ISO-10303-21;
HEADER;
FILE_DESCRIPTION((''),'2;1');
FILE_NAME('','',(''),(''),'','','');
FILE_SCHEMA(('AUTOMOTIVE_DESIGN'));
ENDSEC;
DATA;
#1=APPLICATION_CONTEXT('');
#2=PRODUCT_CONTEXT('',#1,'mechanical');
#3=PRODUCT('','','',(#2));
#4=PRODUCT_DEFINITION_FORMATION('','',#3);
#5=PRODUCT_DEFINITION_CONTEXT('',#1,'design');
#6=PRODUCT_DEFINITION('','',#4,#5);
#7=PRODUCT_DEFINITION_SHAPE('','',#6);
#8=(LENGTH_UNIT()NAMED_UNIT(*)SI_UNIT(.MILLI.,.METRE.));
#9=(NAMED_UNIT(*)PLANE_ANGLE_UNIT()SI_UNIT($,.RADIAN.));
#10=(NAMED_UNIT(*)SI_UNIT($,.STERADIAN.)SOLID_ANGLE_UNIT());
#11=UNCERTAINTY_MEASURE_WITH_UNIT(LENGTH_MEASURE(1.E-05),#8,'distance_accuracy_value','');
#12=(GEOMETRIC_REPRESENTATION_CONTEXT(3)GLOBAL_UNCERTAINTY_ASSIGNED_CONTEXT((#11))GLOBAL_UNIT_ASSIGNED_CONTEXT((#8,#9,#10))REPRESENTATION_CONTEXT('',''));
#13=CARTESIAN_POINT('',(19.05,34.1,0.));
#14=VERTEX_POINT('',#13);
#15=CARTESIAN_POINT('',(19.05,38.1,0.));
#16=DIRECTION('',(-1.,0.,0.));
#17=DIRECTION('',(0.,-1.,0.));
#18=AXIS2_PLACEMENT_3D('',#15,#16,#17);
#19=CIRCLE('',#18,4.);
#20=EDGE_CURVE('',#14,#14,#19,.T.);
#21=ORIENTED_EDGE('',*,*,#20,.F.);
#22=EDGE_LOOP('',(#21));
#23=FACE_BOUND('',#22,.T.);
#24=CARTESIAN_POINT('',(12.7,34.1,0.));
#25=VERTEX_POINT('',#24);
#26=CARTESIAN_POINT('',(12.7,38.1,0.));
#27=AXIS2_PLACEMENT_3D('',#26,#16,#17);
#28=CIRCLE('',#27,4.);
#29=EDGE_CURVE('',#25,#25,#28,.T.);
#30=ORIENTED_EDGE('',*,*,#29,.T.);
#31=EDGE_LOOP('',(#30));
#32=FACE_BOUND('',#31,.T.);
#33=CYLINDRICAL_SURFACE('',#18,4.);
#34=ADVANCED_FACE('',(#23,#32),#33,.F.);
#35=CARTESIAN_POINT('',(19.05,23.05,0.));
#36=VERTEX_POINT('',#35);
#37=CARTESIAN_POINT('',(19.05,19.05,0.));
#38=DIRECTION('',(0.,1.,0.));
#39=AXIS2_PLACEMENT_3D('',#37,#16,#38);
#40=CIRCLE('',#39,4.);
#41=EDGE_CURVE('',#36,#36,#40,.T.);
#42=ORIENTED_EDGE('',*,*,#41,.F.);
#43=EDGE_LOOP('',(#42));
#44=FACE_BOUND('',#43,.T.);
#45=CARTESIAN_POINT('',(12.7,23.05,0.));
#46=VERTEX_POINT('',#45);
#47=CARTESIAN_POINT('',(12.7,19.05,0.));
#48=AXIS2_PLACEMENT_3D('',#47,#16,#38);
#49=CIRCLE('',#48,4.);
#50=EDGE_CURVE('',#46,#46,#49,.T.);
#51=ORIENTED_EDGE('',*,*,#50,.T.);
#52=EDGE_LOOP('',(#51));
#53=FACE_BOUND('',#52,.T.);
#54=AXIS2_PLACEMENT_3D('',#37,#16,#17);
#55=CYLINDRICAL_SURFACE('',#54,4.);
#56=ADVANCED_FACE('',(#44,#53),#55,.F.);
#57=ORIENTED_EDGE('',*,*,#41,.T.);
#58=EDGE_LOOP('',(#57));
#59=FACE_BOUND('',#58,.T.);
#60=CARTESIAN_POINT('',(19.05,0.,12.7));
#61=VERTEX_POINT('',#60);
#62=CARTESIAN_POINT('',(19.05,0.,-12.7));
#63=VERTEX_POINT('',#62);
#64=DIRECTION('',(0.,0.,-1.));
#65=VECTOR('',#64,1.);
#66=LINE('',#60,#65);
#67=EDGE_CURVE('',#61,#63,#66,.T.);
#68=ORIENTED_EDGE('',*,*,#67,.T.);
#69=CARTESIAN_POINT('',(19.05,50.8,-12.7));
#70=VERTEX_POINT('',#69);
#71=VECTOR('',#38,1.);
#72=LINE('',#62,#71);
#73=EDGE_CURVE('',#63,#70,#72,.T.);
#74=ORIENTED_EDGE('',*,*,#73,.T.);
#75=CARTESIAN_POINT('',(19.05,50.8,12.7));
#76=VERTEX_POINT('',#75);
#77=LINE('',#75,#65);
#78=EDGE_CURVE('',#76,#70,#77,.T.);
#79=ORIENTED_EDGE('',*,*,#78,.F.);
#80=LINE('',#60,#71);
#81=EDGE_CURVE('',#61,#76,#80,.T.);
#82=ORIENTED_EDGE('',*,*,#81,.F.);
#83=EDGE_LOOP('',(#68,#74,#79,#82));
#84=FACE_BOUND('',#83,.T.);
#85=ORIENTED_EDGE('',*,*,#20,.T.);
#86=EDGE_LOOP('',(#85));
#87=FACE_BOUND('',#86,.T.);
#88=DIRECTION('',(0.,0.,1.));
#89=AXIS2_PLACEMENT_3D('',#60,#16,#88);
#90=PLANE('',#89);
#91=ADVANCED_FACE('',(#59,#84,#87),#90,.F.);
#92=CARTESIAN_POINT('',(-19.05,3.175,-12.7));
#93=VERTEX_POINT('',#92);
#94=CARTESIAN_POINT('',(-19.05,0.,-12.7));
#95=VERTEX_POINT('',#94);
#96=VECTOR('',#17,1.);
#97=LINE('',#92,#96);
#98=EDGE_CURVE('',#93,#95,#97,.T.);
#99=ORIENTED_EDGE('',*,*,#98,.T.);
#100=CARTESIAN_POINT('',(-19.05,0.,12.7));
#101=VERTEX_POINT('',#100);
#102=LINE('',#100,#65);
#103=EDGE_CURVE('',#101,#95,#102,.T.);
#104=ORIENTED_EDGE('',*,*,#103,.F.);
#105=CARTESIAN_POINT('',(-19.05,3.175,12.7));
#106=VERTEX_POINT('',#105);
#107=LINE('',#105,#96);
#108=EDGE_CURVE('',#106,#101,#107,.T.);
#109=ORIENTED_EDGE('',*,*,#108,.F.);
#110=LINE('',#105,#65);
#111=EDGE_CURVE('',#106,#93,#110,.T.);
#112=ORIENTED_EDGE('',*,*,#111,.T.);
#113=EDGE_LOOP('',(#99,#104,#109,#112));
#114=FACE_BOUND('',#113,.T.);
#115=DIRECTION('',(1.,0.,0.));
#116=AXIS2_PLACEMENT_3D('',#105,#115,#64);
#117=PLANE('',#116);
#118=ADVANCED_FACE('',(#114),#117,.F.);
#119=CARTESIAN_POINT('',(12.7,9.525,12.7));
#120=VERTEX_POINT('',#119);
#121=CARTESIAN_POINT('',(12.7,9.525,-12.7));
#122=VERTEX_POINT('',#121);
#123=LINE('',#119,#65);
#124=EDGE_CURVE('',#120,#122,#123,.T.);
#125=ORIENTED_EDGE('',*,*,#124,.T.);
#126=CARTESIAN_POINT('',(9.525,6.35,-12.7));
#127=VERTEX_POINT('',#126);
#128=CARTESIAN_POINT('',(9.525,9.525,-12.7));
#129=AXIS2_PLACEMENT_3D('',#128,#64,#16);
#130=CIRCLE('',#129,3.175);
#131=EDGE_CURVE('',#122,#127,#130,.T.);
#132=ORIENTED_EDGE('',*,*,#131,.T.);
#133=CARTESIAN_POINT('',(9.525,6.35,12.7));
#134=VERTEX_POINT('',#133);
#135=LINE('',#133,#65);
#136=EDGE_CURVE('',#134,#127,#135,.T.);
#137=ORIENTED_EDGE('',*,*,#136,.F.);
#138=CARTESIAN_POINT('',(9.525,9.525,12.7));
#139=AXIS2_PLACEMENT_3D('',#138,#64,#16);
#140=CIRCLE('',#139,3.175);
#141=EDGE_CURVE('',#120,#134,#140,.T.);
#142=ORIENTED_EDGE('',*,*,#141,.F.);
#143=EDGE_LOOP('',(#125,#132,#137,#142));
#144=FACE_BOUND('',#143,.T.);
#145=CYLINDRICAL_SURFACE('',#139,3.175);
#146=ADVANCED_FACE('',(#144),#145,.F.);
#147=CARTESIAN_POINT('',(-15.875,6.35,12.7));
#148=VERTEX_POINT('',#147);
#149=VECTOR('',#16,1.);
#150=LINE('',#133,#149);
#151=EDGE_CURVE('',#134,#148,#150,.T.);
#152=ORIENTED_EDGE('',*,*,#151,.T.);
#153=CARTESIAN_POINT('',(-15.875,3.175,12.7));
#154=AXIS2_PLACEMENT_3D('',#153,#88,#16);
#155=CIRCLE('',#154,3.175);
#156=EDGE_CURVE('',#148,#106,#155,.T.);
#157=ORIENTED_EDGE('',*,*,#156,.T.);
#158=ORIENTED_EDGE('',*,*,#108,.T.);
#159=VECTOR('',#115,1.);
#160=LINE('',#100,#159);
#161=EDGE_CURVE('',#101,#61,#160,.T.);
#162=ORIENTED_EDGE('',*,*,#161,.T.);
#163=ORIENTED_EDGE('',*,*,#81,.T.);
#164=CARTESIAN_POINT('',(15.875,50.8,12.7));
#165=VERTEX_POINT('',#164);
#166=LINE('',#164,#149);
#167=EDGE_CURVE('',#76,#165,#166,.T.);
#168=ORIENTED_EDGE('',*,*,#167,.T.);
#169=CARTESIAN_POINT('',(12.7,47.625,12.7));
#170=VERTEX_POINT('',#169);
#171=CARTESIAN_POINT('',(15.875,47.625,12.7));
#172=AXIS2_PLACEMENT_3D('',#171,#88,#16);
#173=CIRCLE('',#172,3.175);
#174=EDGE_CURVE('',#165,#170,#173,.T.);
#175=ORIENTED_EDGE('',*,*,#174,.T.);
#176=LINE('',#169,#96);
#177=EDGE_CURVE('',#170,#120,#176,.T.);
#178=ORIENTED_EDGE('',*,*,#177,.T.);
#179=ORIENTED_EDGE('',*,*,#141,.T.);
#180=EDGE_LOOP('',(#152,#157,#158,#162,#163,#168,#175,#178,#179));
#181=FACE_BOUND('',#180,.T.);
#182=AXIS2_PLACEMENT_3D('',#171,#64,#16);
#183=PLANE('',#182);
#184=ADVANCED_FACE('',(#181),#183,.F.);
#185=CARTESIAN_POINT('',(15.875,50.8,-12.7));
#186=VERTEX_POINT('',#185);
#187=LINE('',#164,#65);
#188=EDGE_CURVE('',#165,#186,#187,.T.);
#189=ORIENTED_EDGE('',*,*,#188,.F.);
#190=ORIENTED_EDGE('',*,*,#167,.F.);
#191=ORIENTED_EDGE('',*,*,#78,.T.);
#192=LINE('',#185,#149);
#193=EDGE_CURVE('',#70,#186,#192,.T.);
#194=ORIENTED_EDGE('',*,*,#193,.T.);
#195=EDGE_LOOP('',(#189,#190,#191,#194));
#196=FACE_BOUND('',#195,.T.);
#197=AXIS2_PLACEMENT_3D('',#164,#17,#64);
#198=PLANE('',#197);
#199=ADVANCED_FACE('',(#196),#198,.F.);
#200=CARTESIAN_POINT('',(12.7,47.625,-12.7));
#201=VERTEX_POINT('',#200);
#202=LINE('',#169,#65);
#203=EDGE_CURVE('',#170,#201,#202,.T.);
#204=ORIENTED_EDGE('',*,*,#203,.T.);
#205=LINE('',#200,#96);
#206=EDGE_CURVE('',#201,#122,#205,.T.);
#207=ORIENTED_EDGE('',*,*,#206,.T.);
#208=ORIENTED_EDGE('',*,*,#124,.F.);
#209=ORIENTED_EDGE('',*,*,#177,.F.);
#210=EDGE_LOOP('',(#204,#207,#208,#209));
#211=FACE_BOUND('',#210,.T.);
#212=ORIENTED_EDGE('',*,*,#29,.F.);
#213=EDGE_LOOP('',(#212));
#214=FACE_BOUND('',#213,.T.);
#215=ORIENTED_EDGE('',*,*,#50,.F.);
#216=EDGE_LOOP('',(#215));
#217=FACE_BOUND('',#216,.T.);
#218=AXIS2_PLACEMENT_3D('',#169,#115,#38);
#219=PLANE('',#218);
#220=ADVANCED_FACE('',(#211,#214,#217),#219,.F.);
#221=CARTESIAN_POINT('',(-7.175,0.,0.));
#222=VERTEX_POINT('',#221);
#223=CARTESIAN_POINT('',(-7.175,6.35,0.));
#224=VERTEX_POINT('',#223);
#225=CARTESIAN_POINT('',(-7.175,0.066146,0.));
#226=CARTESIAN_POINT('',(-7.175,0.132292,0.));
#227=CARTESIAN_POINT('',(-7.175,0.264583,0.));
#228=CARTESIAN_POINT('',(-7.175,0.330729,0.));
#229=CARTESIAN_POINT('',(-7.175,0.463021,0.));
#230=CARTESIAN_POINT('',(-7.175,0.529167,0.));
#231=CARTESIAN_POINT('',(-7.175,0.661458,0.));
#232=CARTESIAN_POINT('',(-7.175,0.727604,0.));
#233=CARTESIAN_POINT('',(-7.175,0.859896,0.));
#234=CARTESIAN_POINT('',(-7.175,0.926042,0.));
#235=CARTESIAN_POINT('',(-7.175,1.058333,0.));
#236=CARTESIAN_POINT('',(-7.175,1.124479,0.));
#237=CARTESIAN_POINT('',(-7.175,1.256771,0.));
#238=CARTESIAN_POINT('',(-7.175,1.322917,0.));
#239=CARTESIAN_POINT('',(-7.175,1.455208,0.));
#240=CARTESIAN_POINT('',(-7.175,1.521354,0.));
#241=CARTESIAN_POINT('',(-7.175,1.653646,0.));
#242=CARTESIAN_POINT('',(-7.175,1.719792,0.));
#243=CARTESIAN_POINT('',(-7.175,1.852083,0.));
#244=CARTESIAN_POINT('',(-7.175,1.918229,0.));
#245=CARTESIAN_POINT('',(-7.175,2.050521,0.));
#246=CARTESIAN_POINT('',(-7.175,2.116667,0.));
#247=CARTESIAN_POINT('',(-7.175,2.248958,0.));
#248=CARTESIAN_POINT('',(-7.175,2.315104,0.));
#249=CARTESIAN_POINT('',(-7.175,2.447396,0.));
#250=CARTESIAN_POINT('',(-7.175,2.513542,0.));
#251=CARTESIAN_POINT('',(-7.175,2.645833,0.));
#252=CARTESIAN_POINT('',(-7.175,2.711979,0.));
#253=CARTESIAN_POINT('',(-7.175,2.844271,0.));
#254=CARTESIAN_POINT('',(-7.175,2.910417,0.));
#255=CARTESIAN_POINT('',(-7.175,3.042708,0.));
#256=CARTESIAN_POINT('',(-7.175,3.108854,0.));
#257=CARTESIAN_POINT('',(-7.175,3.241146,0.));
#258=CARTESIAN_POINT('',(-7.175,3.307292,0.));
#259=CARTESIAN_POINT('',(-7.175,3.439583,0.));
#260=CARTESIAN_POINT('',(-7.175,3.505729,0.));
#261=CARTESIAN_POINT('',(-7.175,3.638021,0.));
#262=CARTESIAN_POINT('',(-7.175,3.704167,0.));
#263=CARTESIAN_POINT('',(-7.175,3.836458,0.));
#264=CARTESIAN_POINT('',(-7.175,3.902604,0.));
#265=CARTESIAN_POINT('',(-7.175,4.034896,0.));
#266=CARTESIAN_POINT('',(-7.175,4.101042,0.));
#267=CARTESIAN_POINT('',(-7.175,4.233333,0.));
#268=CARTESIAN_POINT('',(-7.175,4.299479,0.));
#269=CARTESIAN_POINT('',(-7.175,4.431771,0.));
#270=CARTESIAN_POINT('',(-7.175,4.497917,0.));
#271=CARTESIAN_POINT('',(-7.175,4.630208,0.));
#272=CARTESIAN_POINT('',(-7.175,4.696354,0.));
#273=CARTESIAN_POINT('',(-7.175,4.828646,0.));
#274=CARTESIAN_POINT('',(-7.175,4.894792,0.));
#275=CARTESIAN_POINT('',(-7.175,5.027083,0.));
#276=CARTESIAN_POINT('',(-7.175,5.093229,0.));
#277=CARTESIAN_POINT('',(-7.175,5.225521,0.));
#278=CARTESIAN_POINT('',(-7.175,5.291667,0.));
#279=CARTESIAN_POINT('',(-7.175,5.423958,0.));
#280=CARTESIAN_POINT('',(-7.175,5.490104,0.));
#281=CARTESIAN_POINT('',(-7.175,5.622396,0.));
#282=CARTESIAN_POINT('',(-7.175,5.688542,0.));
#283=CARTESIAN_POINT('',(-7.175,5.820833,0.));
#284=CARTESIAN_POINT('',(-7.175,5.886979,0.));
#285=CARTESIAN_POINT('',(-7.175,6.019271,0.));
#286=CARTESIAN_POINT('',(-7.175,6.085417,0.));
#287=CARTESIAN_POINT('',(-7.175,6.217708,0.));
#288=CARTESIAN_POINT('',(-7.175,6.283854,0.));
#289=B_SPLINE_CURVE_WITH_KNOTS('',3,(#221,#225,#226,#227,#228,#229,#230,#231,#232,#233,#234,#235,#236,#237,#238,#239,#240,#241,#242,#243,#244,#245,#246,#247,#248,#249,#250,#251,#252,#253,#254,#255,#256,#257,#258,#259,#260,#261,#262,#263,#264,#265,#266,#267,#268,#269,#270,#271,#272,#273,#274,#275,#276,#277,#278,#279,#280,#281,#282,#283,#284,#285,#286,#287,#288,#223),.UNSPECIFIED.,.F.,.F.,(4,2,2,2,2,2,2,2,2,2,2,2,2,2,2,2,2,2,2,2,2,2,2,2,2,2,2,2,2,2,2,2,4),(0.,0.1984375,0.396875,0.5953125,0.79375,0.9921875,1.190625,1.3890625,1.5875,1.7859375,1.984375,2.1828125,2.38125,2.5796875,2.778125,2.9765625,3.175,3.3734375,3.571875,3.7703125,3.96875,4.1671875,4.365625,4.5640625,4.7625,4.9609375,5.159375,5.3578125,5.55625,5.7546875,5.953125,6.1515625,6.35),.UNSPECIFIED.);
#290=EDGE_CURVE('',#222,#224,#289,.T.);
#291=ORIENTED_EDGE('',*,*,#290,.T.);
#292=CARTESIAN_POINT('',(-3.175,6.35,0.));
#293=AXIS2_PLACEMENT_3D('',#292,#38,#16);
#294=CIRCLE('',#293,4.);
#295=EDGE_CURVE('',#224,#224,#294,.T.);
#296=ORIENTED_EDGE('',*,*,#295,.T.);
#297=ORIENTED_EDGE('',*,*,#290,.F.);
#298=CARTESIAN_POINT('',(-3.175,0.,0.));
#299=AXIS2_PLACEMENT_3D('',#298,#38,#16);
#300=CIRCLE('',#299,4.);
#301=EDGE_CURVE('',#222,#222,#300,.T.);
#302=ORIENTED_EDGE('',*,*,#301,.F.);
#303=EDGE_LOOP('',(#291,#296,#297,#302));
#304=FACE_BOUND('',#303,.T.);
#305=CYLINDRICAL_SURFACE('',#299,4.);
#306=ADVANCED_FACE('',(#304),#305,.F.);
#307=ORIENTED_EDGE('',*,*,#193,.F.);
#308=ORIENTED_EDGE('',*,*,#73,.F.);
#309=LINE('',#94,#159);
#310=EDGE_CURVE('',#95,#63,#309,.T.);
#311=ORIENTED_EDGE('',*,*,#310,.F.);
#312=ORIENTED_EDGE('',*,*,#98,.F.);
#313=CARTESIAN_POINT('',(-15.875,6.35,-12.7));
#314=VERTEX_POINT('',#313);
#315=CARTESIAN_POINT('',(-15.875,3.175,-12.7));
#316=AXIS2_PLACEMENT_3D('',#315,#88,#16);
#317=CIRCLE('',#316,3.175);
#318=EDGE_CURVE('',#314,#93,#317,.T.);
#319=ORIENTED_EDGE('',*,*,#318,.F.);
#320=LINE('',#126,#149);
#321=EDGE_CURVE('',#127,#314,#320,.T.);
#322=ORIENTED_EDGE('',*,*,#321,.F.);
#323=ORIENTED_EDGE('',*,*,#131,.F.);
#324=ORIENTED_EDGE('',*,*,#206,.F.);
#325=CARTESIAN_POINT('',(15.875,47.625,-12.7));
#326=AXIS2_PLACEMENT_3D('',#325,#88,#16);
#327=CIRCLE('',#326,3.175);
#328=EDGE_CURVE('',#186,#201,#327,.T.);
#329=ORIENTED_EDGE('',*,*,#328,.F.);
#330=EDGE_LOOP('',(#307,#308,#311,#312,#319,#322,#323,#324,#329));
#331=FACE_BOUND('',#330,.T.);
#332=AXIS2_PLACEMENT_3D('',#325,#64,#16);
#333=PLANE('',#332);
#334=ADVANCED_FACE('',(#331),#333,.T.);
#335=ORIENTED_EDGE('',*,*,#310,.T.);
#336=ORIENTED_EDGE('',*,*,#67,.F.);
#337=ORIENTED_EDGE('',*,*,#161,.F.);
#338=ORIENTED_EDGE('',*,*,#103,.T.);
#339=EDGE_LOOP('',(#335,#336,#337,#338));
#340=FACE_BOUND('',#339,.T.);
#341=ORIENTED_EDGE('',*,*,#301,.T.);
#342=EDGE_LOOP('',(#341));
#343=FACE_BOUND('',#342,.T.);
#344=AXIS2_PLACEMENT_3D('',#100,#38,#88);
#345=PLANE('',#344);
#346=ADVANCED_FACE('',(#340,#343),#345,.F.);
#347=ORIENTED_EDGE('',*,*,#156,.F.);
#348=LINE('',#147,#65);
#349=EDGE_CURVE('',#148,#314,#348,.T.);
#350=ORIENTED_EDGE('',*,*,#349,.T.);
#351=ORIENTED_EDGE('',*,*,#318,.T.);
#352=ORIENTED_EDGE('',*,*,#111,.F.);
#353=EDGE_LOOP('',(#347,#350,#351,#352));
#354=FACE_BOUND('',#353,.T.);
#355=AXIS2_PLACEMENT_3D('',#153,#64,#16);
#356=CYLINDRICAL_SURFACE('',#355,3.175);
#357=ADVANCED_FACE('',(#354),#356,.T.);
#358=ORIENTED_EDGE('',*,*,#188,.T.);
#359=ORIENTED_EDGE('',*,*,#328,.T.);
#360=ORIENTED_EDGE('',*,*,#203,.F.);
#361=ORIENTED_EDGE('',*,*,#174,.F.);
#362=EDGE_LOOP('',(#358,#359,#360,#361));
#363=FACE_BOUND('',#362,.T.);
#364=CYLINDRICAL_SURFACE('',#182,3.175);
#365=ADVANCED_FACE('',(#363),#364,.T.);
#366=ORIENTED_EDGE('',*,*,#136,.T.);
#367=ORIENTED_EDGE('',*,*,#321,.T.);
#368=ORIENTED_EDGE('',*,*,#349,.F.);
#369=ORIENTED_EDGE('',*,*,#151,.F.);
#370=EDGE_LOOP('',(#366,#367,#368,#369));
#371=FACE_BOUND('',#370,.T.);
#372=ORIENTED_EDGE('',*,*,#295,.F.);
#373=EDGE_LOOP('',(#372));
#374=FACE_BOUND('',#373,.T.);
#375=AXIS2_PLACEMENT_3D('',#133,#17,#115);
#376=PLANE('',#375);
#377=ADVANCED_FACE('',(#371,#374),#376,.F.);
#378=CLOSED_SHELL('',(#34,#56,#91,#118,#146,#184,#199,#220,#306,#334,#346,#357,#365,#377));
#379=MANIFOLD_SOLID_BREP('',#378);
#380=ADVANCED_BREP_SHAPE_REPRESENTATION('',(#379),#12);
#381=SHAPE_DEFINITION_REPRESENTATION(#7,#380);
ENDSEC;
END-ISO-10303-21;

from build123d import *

# Parameters (mm, degrees)
BOSS_EXTRUDE1_DEPTH = 12.7
SKETCH3_R           = 4
CUT_EXTRUDE1_DEPTH  = 50.99995
SKETCH4_R           = 4
CUT_EXTRUDE2_DEPTH  = 62.237182332


with BuildPart() as part:
    # Sketch2 → Boss-Extrude1 (new, symmetric)
    with BuildSketch(Plane.XY):
        with BuildLine():
            Line((-19.05, 0), (19.05, 0))
            Line((19.05, 0), (19.05, 50.8))
            Line((19.05, 50.8), (15.875, 50.8))
            ThreePointArc((15.875, 50.8), (13.62993597, 49.87006403), (12.7, 47.625))
            Line((12.7, 47.625), (12.7, 9.525))
            ThreePointArc((12.7, 9.525), (11.77006403, 7.27993597), (9.525, 6.35))
            Line((9.525, 6.35), (-15.875, 6.35))
            ThreePointArc((-15.875, 6.35), (-18.12006403, 5.42006403), (-19.05, 3.175))
            Line((-19.05, 3.175), (-19.05, 0))
        make_face()
    extrude(amount=BOSS_EXTRUDE1_DEPTH, both=True)

    # Sketch3 → Cut-Extrude1 (cut, through all)
    with BuildSketch(Plane(origin=(0, 6.35, 0), x_dir=(1, 0, 0), z_dir=(0, 1, 0))):
        with Locations(Location((-3.175, 0, 0), (0, 0, 180))):
            Circle(SKETCH3_R)
    extrude(amount=-CUT_EXTRUDE1_DEPTH, mode=Mode.SUBTRACT)

    # Sketch4 → Cut-Extrude2 (cut, through all)
    with BuildSketch(Plane.ZY.offset(-12.7)):
        with Locations(Location((0, 38.1, 0), (0, 0, 270))):
            Circle(SKETCH4_R)
        with Locations(Location((0, 19.05, 0), (0, 0, 90))):
            Circle(SKETCH4_R)
    extrude(amount=-CUT_EXTRUDE2_DEPTH, mode=Mode.SUBTRACT)


solid = part.part
